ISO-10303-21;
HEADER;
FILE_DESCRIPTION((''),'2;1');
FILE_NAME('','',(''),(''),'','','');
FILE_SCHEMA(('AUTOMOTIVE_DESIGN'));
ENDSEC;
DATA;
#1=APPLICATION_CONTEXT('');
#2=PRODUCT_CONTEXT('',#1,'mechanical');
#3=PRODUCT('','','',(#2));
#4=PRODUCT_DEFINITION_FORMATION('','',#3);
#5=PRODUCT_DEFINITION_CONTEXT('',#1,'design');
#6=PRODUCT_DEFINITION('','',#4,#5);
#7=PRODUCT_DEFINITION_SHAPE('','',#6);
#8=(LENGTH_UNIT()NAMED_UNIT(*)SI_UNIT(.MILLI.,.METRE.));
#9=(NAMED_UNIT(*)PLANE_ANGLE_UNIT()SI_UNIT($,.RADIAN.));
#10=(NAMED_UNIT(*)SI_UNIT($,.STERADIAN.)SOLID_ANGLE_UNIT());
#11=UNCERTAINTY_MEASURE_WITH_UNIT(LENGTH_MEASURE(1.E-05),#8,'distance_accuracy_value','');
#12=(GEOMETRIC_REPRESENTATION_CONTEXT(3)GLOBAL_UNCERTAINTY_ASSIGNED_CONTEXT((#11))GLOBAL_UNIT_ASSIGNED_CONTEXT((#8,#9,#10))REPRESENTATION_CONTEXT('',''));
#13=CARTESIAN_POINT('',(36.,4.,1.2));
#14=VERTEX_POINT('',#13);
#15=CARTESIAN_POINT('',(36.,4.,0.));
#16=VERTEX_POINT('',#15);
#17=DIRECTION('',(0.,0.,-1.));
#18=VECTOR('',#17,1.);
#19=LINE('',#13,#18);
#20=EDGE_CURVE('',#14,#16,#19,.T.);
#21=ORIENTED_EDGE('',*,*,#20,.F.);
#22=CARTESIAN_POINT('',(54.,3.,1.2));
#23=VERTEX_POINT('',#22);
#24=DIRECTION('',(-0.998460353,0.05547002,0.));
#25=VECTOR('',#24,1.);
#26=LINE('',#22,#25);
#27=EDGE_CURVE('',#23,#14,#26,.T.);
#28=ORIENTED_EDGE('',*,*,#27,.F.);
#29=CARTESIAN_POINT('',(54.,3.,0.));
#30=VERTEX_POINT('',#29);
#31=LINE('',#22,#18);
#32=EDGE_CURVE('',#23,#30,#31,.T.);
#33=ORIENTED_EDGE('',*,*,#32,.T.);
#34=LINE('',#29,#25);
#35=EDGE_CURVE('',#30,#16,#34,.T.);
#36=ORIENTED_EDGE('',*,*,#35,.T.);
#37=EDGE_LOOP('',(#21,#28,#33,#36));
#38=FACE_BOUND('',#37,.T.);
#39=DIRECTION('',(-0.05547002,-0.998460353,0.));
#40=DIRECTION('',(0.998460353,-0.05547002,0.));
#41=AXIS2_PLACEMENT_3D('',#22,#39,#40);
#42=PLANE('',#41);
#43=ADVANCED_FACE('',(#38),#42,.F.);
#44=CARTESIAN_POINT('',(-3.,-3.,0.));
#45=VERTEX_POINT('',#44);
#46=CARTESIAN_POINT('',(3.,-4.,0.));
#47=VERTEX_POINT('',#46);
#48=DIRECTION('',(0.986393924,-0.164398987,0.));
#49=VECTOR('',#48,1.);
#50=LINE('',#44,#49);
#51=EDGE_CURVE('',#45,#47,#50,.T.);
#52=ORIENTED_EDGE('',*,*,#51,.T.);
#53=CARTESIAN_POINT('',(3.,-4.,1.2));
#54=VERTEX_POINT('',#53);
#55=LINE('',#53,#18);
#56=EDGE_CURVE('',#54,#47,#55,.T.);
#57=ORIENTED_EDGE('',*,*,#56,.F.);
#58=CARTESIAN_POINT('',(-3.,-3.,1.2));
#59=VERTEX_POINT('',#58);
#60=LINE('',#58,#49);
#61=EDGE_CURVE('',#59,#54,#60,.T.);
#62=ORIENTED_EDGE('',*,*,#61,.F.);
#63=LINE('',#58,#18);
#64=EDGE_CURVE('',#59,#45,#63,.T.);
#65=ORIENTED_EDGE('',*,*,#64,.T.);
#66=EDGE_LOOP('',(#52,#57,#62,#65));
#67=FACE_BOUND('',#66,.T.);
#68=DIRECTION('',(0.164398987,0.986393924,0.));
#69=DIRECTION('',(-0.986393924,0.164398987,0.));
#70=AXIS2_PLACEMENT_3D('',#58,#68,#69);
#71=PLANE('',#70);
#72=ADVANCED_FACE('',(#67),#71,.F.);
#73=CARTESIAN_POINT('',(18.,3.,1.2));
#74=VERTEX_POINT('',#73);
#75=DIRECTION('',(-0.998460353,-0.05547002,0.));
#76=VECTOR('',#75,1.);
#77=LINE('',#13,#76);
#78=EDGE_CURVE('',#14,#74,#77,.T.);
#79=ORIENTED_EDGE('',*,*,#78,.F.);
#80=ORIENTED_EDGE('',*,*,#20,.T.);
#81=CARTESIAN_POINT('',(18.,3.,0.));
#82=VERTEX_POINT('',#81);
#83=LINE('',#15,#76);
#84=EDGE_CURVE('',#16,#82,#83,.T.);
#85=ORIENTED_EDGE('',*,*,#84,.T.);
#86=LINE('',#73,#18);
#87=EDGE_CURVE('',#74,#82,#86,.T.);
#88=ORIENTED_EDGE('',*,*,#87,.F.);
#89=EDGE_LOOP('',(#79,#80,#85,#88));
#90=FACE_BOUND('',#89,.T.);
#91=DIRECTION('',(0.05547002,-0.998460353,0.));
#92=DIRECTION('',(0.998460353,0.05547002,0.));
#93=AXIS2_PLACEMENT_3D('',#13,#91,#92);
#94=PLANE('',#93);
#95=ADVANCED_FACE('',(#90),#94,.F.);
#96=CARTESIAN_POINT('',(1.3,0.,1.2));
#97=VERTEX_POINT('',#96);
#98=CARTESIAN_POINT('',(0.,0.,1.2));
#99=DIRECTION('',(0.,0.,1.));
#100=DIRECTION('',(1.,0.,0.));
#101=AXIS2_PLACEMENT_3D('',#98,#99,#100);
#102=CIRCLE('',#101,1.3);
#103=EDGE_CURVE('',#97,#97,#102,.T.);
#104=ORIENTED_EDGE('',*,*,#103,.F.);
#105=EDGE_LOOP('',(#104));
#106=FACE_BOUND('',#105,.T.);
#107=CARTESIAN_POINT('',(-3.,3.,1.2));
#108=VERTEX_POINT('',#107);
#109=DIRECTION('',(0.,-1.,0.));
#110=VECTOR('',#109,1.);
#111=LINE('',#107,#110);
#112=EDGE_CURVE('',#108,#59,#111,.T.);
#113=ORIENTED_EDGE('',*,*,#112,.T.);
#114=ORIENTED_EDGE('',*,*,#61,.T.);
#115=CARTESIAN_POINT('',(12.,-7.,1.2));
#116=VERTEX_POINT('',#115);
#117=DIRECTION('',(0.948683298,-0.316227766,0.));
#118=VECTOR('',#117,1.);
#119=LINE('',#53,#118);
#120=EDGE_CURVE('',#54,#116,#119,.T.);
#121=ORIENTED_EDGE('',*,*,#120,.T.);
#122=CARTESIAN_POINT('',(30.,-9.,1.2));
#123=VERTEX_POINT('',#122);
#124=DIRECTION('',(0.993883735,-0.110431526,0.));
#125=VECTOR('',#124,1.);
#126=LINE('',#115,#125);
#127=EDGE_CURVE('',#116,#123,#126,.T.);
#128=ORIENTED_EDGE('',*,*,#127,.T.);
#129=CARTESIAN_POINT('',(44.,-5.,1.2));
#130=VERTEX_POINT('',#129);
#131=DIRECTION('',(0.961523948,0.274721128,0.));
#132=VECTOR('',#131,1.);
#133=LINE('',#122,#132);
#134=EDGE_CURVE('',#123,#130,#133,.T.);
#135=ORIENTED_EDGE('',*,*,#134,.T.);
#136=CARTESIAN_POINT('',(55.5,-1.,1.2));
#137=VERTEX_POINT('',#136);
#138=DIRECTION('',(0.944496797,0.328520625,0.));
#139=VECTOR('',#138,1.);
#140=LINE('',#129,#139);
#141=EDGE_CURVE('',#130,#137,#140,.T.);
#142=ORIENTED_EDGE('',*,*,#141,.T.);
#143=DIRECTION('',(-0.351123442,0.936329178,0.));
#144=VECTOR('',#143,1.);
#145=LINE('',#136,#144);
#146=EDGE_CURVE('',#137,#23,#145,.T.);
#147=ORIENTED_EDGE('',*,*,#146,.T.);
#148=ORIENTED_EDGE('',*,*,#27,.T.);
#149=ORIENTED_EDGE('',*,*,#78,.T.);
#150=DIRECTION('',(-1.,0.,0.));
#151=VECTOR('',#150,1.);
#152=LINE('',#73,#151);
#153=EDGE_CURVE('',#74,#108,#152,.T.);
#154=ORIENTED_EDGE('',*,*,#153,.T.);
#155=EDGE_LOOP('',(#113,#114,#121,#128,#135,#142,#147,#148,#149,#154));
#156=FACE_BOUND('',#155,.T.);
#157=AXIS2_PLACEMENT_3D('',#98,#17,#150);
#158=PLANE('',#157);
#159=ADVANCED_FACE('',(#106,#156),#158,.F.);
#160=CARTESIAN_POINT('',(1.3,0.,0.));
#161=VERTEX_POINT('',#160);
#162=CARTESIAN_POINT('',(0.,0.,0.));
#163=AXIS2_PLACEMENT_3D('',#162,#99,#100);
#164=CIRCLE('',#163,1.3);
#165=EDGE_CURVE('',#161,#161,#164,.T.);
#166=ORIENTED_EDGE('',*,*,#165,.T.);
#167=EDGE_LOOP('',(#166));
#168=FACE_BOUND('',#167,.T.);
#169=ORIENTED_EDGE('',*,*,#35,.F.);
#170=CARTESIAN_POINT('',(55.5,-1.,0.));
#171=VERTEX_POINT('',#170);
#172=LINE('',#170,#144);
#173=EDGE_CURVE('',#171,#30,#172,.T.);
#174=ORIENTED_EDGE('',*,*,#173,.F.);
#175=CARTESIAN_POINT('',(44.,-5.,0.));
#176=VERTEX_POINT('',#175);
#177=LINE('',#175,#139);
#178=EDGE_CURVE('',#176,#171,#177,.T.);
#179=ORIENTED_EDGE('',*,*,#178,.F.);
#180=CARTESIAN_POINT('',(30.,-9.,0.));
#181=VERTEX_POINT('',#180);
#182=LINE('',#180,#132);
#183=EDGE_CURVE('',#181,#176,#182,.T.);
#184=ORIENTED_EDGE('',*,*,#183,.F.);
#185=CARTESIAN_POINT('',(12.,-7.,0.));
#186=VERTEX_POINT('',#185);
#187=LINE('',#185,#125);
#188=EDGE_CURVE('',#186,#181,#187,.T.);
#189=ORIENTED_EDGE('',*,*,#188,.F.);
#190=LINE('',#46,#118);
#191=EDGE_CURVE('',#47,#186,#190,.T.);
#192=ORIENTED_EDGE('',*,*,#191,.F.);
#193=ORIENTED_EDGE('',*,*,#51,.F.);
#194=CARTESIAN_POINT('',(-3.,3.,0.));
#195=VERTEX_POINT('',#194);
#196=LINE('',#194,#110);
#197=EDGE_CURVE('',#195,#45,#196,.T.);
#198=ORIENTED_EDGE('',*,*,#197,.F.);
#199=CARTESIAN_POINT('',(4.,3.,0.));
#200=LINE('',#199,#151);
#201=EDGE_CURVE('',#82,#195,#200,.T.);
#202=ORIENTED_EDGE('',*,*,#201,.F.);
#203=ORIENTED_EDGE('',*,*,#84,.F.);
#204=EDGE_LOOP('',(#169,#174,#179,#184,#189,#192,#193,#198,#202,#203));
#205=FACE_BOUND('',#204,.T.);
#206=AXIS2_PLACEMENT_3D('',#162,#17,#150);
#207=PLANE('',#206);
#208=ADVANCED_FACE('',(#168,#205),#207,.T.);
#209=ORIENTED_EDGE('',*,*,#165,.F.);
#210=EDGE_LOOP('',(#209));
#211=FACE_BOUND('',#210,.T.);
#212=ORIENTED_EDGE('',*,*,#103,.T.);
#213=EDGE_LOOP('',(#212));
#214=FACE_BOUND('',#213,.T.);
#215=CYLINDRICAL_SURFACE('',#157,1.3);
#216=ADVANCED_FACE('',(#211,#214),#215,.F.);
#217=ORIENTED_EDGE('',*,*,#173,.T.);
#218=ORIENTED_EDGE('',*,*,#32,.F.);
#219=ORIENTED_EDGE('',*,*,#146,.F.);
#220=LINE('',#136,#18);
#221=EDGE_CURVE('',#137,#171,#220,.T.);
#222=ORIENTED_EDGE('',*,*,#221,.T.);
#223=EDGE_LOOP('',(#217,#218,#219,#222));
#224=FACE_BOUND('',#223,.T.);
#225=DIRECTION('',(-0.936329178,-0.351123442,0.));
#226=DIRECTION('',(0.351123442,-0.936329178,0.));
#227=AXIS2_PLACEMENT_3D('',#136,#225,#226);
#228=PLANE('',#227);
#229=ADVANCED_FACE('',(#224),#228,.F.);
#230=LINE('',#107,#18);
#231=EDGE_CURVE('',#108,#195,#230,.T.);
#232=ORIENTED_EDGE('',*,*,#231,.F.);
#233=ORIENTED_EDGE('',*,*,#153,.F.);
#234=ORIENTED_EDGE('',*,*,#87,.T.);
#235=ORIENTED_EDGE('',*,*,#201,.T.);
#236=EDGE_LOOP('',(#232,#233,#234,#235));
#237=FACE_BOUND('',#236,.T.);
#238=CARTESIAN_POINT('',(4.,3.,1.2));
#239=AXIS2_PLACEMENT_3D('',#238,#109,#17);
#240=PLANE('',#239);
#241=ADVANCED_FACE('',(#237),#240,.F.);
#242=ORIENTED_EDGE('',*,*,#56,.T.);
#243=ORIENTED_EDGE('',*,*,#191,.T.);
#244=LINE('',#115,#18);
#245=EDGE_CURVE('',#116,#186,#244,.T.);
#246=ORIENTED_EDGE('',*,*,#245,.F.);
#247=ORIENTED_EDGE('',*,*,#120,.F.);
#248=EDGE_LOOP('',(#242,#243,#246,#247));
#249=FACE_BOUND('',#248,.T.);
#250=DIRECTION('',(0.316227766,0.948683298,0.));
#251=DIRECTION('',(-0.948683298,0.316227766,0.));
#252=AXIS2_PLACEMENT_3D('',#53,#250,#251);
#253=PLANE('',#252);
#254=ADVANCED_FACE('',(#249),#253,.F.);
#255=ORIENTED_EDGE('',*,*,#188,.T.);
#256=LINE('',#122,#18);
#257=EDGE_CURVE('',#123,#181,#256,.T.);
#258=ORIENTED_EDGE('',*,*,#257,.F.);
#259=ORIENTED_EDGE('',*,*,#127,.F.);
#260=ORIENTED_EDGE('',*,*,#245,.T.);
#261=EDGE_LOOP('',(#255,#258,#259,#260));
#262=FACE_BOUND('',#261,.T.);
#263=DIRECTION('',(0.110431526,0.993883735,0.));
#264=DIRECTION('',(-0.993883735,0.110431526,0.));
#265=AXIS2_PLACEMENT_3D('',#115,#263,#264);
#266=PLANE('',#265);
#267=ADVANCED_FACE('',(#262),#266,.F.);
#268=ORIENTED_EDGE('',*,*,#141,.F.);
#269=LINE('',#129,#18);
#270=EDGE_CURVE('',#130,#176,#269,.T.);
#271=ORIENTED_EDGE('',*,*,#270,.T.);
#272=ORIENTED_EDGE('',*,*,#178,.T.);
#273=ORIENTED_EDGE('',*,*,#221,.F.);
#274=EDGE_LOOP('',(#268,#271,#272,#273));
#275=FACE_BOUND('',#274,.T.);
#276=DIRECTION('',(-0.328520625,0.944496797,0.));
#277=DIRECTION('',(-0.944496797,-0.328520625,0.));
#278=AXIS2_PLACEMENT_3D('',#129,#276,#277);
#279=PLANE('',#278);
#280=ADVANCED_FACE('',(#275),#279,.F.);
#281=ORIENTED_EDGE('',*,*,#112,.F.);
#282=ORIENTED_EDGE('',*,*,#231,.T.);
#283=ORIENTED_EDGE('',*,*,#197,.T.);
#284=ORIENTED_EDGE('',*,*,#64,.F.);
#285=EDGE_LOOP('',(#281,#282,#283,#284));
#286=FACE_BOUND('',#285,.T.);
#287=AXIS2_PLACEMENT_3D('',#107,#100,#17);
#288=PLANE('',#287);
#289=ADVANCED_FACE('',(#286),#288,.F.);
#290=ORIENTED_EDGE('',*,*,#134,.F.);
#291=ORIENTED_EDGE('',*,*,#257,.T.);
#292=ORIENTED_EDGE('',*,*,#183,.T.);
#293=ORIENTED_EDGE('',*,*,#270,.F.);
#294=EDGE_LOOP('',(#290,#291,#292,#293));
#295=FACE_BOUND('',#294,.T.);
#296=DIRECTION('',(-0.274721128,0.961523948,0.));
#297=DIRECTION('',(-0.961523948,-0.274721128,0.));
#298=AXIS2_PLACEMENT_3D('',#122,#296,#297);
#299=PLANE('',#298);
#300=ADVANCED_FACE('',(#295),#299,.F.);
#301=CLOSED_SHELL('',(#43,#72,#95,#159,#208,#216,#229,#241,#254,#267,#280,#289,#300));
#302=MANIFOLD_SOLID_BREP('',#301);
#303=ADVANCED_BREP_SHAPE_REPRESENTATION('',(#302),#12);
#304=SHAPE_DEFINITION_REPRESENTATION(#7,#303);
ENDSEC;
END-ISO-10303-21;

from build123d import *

# Parameters (mm, degrees)
SKETCH_1_R        = 1.3
EXTRUDE_127_DEPTH = 1.2


with BuildPart() as part:
    # 草图1 → 柔性桨叶包络_展开总径127 (new body)
    with BuildSketch(Plane.XY):
        Polygon((-3, -3), (3, -4), (12, -7), (30, -9), (44, -5), (55.5, -1), (54, 3), (36, 4), (18, 3), (4, 3), (-3, 3), align=None)
        Circle(SKETCH_1_R, mode=Mode.SUBTRACT)
    extrude(amount=EXTRUDE_127_DEPTH)


solid = part.part
